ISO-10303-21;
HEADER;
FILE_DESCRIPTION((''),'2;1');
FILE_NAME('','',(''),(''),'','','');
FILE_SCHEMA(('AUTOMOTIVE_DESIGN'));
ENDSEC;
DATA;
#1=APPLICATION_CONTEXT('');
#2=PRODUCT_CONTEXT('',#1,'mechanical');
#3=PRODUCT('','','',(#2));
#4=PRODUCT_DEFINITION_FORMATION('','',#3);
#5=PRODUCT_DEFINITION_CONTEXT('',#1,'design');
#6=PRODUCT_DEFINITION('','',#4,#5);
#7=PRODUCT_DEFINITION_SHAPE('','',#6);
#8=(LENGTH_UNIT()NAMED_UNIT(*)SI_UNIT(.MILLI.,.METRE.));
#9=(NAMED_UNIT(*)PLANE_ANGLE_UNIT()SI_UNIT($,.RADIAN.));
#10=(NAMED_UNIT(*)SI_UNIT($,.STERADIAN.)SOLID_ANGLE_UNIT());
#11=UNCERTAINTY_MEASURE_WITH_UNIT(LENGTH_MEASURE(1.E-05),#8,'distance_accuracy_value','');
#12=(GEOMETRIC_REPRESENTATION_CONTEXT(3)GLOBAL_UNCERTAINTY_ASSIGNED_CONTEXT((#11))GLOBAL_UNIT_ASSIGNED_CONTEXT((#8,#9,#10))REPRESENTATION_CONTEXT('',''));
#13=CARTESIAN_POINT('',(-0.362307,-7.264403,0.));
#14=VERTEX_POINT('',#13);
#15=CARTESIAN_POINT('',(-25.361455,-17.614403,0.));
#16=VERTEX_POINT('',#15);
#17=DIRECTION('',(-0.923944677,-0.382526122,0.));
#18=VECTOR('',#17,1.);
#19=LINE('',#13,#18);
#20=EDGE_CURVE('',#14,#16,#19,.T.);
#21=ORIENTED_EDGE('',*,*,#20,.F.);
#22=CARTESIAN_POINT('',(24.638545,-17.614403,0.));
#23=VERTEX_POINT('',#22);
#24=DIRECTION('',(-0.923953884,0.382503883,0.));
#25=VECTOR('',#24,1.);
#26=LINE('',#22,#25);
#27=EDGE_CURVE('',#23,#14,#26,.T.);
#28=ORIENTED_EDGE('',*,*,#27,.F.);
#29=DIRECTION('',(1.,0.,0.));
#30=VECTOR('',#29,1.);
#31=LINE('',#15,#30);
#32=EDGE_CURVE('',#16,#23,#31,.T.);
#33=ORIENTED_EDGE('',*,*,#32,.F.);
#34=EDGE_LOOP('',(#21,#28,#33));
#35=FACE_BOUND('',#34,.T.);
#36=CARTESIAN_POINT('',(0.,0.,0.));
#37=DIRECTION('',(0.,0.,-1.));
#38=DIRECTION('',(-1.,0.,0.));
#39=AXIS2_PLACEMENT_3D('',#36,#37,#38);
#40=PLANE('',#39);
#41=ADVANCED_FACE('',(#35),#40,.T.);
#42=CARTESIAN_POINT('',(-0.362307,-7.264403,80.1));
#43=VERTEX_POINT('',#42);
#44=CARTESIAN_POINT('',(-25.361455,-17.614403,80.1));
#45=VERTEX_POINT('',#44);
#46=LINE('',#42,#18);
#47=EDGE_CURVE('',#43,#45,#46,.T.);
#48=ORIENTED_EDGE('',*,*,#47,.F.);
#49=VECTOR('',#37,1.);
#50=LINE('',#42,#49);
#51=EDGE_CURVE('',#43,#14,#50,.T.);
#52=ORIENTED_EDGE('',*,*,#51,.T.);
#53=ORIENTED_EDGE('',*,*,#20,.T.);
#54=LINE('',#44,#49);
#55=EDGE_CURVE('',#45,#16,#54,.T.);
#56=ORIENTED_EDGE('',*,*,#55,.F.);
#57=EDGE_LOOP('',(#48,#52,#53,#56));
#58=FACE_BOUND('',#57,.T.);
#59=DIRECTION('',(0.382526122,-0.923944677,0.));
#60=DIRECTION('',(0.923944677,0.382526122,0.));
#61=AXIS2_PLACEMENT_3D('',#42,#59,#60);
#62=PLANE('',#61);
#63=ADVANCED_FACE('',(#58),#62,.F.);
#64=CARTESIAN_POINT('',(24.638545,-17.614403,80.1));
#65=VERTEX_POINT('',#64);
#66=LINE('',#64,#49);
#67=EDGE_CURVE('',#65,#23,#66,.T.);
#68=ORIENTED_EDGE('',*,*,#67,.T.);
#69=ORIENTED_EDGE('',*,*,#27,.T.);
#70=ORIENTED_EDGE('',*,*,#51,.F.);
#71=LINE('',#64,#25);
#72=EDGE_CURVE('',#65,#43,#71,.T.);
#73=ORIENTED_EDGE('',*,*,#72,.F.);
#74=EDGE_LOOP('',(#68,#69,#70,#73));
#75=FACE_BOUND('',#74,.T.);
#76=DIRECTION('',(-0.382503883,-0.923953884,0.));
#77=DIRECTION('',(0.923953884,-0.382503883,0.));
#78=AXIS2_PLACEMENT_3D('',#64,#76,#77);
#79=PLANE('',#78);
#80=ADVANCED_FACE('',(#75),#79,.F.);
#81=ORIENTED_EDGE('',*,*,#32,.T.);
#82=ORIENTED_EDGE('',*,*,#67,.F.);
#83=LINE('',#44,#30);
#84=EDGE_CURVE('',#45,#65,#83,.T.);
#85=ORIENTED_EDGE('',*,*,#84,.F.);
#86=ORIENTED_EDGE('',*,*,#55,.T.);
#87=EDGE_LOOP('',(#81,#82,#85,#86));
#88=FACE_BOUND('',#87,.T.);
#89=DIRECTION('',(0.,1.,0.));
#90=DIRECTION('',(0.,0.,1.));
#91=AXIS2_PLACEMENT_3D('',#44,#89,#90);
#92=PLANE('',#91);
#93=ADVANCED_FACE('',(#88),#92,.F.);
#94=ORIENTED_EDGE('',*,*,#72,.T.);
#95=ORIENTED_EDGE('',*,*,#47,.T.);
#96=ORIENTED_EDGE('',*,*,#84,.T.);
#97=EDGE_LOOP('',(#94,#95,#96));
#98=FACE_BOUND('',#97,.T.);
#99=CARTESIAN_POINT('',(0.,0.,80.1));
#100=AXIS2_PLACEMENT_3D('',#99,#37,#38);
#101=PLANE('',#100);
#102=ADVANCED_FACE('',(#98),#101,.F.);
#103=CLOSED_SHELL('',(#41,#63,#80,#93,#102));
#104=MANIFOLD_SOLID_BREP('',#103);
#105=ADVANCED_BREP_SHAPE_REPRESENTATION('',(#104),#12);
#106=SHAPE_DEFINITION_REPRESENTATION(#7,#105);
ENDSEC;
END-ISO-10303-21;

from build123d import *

# Parameters (mm, degrees)
EXTRUDE_1_DEPTH = 80.1


with BuildPart() as part:
    # 草圖1 → 填料-伸長1 (new body)
    with BuildSketch(Plane.XY):
        Polygon((-25.36145523, -17.614402599), (24.63854477, -17.614402599), (-0.362306503, -7.264402599), align=None)
    extrude(amount=EXTRUDE_1_DEPTH)


solid = part.part
